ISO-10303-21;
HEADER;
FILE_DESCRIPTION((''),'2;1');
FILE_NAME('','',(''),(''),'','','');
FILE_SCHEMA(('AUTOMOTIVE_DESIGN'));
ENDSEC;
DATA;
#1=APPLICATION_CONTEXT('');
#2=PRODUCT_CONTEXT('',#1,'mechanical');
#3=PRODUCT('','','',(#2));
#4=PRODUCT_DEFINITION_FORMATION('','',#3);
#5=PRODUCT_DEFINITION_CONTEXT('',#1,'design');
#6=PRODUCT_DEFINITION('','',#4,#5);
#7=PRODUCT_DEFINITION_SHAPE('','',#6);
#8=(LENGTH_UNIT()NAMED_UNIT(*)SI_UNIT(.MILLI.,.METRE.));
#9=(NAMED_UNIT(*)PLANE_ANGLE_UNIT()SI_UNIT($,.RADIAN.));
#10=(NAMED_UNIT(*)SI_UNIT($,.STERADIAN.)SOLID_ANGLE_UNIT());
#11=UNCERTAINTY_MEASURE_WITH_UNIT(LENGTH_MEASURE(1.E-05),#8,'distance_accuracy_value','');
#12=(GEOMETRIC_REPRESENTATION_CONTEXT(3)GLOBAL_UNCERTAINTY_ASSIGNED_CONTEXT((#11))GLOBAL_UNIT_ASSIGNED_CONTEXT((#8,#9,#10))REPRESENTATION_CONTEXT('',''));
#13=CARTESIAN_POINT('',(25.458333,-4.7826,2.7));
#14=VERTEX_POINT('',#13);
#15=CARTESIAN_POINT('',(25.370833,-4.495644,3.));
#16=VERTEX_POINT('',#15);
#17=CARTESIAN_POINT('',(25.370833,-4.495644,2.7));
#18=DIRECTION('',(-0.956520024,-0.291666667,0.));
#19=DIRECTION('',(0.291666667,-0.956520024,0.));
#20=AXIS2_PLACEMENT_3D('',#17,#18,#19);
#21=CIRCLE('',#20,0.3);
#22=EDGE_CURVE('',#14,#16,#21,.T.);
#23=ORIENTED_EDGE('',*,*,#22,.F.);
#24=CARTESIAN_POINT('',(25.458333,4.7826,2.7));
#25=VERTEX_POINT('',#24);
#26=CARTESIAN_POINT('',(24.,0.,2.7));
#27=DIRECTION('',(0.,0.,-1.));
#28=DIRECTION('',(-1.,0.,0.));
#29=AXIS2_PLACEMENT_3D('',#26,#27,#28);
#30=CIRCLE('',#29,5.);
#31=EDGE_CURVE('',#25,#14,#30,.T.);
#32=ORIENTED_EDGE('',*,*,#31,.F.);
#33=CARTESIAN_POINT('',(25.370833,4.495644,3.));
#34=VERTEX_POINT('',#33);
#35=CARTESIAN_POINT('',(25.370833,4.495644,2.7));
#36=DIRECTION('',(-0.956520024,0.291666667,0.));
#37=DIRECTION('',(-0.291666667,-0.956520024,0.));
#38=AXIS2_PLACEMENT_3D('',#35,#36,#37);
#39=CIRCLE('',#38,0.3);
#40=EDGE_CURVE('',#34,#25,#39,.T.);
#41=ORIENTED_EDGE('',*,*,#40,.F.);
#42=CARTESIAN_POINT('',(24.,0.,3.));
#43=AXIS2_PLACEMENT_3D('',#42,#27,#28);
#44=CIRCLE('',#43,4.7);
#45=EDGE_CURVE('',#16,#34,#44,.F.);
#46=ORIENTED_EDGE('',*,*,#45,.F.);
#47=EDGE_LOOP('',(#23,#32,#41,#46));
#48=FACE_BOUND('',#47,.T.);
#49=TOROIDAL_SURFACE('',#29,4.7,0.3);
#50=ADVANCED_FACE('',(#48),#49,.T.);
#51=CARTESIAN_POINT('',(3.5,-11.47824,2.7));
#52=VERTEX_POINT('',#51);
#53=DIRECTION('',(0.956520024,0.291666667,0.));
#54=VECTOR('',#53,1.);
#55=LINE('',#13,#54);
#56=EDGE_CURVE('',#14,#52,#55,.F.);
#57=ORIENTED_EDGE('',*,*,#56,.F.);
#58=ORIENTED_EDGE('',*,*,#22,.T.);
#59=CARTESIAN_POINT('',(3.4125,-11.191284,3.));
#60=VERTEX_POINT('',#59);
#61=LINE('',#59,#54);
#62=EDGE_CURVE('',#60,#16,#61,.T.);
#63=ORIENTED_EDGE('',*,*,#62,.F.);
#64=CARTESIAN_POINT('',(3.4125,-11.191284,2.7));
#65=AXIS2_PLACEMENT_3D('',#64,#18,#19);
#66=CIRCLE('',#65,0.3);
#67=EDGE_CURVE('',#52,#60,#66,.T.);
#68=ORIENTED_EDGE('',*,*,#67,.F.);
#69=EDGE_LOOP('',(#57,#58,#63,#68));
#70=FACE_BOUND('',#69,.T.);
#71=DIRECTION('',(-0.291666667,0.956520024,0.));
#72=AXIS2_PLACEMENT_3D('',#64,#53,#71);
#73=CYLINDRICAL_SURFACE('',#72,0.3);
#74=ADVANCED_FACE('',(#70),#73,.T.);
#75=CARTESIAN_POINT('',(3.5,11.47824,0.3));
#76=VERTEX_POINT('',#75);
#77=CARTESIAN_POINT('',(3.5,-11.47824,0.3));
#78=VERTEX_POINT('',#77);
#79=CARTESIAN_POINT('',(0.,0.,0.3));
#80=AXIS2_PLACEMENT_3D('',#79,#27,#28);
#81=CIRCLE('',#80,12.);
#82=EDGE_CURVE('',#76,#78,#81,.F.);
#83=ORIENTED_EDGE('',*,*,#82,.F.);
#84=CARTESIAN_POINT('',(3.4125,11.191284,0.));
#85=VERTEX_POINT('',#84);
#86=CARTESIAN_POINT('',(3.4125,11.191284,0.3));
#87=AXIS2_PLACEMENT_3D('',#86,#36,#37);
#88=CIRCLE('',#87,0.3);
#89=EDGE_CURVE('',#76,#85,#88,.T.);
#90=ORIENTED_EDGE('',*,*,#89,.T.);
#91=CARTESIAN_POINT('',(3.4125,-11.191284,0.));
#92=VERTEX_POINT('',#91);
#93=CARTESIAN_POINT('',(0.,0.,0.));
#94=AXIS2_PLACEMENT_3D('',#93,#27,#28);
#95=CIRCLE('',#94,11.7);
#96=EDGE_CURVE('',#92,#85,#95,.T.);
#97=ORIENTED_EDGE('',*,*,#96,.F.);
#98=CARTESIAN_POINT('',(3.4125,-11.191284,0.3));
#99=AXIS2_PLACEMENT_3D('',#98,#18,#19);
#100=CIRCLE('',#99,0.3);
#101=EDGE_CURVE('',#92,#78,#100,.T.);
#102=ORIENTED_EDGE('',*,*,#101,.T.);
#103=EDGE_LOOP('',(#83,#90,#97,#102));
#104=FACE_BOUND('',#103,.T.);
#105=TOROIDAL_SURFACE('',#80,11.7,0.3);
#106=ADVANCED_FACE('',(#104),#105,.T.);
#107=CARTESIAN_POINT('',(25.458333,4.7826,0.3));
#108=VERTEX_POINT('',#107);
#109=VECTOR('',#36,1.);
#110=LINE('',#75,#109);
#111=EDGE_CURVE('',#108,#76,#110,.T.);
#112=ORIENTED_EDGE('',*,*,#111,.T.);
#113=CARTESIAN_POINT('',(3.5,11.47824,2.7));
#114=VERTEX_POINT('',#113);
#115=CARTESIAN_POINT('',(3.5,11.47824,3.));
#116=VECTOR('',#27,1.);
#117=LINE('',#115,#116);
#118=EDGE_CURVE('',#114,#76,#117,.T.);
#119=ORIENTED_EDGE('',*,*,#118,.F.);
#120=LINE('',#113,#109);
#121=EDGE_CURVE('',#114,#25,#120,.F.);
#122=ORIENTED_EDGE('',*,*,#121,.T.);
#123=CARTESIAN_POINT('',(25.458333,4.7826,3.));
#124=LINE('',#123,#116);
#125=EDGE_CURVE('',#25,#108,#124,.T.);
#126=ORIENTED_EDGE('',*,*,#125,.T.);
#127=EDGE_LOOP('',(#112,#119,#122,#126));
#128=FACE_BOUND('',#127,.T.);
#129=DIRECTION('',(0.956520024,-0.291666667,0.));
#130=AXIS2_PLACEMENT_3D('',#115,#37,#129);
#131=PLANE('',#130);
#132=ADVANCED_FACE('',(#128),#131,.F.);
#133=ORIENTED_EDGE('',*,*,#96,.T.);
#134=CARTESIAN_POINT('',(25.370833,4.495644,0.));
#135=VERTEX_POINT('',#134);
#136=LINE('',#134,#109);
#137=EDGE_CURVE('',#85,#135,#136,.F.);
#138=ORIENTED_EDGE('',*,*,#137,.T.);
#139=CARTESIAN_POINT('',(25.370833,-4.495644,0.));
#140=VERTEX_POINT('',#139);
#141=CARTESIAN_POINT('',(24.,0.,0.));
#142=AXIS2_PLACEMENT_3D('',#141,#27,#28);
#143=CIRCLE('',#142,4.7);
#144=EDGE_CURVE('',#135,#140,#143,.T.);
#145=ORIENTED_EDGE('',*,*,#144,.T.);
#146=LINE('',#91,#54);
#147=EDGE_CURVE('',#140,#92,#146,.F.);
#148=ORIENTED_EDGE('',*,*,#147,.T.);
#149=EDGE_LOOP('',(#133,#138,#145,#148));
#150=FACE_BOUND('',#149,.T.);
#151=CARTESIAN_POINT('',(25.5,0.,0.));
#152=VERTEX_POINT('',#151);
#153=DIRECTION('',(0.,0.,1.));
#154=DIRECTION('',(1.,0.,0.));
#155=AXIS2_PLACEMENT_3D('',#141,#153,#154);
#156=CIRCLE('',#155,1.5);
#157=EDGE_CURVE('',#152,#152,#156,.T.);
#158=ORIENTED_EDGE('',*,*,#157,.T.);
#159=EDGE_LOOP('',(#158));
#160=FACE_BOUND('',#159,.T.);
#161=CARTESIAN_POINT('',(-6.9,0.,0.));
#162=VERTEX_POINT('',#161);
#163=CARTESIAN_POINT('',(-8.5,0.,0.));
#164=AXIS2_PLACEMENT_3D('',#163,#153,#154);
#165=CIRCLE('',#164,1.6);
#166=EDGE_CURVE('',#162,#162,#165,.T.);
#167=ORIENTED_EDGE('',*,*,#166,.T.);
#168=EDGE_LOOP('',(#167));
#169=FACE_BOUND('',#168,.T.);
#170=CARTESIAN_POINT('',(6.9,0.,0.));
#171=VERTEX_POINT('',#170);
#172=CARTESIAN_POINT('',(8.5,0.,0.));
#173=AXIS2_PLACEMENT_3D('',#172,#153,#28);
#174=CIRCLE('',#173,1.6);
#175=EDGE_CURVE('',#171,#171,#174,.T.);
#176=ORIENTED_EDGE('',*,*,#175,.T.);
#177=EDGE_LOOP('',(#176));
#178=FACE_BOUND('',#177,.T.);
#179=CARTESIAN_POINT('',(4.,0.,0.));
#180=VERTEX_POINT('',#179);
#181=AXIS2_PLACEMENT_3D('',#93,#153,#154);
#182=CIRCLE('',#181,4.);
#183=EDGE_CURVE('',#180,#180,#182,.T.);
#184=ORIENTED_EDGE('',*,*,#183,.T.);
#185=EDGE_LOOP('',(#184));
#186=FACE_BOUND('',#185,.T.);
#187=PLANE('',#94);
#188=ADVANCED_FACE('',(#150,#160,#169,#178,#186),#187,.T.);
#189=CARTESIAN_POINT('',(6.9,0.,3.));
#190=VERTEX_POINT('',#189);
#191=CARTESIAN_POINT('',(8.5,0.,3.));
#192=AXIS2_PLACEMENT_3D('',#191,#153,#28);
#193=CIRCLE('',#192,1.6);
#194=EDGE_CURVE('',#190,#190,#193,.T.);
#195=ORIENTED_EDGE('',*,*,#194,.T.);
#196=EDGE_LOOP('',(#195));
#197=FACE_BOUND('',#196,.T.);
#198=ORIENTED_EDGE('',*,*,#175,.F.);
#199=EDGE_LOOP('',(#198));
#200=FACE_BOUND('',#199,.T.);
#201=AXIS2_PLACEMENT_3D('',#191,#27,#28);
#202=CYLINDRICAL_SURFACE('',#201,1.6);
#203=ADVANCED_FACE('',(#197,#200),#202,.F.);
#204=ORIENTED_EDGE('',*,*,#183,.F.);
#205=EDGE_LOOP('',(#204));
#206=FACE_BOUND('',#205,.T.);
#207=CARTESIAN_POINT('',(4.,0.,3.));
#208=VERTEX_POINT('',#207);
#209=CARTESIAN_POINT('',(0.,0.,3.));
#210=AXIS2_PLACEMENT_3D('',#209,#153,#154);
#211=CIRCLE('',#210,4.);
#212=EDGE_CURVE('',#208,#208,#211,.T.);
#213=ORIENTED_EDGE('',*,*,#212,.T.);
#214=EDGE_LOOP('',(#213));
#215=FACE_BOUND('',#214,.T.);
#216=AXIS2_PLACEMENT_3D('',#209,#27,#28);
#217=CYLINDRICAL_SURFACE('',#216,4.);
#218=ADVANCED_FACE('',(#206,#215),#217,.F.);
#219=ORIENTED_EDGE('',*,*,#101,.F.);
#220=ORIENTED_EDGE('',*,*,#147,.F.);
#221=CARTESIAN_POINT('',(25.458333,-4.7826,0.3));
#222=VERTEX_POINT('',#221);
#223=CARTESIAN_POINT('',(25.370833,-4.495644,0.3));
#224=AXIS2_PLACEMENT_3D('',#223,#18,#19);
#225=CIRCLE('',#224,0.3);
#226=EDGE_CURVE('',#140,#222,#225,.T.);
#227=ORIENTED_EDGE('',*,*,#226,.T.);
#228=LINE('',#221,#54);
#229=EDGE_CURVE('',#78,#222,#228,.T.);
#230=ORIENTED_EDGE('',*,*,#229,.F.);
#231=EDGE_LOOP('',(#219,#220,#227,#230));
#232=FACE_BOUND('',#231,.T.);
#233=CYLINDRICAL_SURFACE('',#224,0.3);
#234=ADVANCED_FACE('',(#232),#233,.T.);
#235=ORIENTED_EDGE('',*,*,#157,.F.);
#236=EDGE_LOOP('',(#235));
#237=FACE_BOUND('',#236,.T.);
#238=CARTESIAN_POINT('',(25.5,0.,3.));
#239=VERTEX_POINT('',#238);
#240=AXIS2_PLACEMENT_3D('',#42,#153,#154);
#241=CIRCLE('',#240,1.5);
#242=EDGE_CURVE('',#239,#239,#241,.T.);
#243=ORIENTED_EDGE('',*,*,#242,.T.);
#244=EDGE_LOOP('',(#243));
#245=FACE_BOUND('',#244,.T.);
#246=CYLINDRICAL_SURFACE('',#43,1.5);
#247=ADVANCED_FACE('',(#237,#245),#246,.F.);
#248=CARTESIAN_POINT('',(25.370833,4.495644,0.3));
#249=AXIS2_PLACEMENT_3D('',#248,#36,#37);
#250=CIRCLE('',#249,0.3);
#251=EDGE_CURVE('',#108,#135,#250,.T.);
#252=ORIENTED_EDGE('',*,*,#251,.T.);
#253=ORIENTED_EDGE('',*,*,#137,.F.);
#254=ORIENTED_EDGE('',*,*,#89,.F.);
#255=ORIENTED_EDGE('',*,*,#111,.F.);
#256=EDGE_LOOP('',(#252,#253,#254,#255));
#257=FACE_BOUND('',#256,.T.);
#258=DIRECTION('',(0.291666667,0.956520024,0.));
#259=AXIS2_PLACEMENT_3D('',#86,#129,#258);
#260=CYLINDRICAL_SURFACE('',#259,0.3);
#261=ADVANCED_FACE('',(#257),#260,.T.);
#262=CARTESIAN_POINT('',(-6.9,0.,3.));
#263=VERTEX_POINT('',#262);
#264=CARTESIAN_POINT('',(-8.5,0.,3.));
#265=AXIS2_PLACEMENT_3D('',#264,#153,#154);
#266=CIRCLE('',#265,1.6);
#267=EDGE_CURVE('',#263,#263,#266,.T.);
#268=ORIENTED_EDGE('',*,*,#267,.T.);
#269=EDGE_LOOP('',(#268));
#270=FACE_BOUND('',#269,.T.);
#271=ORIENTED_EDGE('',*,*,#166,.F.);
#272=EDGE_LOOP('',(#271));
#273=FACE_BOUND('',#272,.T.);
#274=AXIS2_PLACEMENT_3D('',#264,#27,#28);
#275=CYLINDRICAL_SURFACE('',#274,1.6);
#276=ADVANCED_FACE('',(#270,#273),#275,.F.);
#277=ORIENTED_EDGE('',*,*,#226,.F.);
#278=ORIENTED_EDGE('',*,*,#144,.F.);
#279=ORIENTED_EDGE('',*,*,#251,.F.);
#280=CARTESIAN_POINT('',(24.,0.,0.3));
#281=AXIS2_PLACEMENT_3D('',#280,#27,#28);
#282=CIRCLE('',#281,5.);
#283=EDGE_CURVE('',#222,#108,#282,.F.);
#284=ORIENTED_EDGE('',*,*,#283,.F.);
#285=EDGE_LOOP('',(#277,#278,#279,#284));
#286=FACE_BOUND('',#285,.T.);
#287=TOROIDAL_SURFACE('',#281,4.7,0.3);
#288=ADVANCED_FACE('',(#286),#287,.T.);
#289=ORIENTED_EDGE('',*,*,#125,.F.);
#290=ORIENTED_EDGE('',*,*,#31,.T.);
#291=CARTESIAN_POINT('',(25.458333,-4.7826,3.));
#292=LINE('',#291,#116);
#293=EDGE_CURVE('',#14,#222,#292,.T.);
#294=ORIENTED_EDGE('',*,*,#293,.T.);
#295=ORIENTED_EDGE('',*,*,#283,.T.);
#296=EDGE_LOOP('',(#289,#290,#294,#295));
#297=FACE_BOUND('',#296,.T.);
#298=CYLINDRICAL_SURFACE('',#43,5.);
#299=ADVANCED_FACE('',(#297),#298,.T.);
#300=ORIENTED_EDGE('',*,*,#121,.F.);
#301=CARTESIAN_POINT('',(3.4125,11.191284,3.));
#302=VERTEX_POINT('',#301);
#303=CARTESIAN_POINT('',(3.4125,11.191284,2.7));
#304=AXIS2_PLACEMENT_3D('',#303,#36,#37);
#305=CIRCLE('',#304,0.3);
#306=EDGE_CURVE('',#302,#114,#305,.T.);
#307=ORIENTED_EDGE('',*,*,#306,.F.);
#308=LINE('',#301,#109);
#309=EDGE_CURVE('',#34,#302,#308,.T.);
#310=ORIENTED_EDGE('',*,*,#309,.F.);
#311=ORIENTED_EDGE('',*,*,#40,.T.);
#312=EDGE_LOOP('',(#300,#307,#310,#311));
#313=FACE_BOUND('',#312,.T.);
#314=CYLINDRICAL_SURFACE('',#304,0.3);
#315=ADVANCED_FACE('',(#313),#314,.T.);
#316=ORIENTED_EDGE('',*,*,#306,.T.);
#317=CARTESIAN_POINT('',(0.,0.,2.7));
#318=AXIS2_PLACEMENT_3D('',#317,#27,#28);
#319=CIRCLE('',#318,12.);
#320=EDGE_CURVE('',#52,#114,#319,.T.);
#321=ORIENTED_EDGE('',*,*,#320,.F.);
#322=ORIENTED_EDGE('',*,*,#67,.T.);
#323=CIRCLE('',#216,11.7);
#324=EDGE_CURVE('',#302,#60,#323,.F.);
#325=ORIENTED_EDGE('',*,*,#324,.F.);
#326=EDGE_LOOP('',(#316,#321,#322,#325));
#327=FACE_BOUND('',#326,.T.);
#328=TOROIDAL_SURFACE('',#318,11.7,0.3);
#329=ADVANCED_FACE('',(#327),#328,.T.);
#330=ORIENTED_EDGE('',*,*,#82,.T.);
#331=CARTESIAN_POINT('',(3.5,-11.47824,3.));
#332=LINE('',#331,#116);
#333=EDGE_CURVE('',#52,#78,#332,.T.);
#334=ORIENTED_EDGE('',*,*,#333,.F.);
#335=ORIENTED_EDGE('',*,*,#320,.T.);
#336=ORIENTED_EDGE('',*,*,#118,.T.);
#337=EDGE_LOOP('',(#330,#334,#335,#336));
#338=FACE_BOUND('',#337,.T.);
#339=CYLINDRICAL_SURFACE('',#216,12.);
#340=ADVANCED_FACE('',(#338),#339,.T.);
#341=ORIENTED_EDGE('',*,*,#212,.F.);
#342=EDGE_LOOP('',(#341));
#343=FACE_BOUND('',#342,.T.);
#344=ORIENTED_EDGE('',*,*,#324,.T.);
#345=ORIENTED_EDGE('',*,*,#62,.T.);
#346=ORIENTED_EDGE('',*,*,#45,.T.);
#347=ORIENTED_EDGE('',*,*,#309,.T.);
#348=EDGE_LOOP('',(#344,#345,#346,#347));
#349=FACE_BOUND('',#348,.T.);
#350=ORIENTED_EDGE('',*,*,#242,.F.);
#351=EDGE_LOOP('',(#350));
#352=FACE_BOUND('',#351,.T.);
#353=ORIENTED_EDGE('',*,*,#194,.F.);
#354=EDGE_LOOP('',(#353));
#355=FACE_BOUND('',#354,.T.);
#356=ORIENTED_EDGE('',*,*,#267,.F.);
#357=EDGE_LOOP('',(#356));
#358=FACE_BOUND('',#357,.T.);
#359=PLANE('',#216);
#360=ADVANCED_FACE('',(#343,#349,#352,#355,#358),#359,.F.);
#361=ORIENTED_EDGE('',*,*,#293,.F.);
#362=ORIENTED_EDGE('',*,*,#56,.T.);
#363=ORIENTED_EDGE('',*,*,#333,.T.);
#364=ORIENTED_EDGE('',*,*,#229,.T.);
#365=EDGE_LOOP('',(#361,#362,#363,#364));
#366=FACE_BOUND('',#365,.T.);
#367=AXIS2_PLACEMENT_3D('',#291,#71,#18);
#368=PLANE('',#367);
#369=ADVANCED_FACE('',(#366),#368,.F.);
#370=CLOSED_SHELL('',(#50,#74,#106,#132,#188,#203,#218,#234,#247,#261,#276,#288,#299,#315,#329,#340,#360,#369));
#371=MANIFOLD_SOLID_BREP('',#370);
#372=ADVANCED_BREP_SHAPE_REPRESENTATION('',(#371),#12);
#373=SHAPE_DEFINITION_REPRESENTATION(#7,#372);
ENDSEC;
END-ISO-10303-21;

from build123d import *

# Parameters (mm, degrees)
ESQUISSE1_R        = 4
ESQUISSE1_R_2      = 1.5
ESQUISSE1_R_3      = 1.6
BOSS_EXTRU_1_DEPTH = 3
CONG_2_R           = 0.3


with BuildPart() as part:
    # Esquisse1 → Boss.-Extru.1 (new body)
    with BuildSketch(Plane.XY):
        with BuildLine():
            Line((3.5, 11.478240283), (25.458333333, 4.782600118))
            ThreePointArc((25.458333333, 4.782600118), (29, 0), (25.458333333, -4.782600118))
            Line((25.458333333, -4.782600118), (3.5, -11.478240283))
            ThreePointArc((3.5, -11.478240283), (-12, 0), (3.5, 11.478240283))
        make_face()
        Circle(ESQUISSE1_R, mode=Mode.SUBTRACT)
        with Locations((24, 0)):
            Circle(ESQUISSE1_R_2, mode=Mode.SUBTRACT)
        with Locations((-8.5, 0)):
            Circle(ESQUISSE1_R_3, mode=Mode.SUBTRACT)
        with Locations(Location((8.5, 0, 0), (0, 0, 180))):
            Circle(ESQUISSE1_R_3, mode=Mode.SUBTRACT)
    extrude(amount=BOSS_EXTRU_1_DEPTH)

    # Congé2
    cong_2_edges = [part.edges().sort_by_distance(p)[0] for p in [
        (29, 0, 3),
        (14.479166667, 8.130420201, 3),
        (-12, 0, 3),
        (14.479166667, 8.130420201, 0),
        (29, 0, 0),
        (14.479166667, -8.130420201, 0),
        (-12, 0, 0),
        (14.479166667, -8.130420201, 3),
    ]]
    fillet(cong_2_edges, radius=CONG_2_R)


solid = part.part
